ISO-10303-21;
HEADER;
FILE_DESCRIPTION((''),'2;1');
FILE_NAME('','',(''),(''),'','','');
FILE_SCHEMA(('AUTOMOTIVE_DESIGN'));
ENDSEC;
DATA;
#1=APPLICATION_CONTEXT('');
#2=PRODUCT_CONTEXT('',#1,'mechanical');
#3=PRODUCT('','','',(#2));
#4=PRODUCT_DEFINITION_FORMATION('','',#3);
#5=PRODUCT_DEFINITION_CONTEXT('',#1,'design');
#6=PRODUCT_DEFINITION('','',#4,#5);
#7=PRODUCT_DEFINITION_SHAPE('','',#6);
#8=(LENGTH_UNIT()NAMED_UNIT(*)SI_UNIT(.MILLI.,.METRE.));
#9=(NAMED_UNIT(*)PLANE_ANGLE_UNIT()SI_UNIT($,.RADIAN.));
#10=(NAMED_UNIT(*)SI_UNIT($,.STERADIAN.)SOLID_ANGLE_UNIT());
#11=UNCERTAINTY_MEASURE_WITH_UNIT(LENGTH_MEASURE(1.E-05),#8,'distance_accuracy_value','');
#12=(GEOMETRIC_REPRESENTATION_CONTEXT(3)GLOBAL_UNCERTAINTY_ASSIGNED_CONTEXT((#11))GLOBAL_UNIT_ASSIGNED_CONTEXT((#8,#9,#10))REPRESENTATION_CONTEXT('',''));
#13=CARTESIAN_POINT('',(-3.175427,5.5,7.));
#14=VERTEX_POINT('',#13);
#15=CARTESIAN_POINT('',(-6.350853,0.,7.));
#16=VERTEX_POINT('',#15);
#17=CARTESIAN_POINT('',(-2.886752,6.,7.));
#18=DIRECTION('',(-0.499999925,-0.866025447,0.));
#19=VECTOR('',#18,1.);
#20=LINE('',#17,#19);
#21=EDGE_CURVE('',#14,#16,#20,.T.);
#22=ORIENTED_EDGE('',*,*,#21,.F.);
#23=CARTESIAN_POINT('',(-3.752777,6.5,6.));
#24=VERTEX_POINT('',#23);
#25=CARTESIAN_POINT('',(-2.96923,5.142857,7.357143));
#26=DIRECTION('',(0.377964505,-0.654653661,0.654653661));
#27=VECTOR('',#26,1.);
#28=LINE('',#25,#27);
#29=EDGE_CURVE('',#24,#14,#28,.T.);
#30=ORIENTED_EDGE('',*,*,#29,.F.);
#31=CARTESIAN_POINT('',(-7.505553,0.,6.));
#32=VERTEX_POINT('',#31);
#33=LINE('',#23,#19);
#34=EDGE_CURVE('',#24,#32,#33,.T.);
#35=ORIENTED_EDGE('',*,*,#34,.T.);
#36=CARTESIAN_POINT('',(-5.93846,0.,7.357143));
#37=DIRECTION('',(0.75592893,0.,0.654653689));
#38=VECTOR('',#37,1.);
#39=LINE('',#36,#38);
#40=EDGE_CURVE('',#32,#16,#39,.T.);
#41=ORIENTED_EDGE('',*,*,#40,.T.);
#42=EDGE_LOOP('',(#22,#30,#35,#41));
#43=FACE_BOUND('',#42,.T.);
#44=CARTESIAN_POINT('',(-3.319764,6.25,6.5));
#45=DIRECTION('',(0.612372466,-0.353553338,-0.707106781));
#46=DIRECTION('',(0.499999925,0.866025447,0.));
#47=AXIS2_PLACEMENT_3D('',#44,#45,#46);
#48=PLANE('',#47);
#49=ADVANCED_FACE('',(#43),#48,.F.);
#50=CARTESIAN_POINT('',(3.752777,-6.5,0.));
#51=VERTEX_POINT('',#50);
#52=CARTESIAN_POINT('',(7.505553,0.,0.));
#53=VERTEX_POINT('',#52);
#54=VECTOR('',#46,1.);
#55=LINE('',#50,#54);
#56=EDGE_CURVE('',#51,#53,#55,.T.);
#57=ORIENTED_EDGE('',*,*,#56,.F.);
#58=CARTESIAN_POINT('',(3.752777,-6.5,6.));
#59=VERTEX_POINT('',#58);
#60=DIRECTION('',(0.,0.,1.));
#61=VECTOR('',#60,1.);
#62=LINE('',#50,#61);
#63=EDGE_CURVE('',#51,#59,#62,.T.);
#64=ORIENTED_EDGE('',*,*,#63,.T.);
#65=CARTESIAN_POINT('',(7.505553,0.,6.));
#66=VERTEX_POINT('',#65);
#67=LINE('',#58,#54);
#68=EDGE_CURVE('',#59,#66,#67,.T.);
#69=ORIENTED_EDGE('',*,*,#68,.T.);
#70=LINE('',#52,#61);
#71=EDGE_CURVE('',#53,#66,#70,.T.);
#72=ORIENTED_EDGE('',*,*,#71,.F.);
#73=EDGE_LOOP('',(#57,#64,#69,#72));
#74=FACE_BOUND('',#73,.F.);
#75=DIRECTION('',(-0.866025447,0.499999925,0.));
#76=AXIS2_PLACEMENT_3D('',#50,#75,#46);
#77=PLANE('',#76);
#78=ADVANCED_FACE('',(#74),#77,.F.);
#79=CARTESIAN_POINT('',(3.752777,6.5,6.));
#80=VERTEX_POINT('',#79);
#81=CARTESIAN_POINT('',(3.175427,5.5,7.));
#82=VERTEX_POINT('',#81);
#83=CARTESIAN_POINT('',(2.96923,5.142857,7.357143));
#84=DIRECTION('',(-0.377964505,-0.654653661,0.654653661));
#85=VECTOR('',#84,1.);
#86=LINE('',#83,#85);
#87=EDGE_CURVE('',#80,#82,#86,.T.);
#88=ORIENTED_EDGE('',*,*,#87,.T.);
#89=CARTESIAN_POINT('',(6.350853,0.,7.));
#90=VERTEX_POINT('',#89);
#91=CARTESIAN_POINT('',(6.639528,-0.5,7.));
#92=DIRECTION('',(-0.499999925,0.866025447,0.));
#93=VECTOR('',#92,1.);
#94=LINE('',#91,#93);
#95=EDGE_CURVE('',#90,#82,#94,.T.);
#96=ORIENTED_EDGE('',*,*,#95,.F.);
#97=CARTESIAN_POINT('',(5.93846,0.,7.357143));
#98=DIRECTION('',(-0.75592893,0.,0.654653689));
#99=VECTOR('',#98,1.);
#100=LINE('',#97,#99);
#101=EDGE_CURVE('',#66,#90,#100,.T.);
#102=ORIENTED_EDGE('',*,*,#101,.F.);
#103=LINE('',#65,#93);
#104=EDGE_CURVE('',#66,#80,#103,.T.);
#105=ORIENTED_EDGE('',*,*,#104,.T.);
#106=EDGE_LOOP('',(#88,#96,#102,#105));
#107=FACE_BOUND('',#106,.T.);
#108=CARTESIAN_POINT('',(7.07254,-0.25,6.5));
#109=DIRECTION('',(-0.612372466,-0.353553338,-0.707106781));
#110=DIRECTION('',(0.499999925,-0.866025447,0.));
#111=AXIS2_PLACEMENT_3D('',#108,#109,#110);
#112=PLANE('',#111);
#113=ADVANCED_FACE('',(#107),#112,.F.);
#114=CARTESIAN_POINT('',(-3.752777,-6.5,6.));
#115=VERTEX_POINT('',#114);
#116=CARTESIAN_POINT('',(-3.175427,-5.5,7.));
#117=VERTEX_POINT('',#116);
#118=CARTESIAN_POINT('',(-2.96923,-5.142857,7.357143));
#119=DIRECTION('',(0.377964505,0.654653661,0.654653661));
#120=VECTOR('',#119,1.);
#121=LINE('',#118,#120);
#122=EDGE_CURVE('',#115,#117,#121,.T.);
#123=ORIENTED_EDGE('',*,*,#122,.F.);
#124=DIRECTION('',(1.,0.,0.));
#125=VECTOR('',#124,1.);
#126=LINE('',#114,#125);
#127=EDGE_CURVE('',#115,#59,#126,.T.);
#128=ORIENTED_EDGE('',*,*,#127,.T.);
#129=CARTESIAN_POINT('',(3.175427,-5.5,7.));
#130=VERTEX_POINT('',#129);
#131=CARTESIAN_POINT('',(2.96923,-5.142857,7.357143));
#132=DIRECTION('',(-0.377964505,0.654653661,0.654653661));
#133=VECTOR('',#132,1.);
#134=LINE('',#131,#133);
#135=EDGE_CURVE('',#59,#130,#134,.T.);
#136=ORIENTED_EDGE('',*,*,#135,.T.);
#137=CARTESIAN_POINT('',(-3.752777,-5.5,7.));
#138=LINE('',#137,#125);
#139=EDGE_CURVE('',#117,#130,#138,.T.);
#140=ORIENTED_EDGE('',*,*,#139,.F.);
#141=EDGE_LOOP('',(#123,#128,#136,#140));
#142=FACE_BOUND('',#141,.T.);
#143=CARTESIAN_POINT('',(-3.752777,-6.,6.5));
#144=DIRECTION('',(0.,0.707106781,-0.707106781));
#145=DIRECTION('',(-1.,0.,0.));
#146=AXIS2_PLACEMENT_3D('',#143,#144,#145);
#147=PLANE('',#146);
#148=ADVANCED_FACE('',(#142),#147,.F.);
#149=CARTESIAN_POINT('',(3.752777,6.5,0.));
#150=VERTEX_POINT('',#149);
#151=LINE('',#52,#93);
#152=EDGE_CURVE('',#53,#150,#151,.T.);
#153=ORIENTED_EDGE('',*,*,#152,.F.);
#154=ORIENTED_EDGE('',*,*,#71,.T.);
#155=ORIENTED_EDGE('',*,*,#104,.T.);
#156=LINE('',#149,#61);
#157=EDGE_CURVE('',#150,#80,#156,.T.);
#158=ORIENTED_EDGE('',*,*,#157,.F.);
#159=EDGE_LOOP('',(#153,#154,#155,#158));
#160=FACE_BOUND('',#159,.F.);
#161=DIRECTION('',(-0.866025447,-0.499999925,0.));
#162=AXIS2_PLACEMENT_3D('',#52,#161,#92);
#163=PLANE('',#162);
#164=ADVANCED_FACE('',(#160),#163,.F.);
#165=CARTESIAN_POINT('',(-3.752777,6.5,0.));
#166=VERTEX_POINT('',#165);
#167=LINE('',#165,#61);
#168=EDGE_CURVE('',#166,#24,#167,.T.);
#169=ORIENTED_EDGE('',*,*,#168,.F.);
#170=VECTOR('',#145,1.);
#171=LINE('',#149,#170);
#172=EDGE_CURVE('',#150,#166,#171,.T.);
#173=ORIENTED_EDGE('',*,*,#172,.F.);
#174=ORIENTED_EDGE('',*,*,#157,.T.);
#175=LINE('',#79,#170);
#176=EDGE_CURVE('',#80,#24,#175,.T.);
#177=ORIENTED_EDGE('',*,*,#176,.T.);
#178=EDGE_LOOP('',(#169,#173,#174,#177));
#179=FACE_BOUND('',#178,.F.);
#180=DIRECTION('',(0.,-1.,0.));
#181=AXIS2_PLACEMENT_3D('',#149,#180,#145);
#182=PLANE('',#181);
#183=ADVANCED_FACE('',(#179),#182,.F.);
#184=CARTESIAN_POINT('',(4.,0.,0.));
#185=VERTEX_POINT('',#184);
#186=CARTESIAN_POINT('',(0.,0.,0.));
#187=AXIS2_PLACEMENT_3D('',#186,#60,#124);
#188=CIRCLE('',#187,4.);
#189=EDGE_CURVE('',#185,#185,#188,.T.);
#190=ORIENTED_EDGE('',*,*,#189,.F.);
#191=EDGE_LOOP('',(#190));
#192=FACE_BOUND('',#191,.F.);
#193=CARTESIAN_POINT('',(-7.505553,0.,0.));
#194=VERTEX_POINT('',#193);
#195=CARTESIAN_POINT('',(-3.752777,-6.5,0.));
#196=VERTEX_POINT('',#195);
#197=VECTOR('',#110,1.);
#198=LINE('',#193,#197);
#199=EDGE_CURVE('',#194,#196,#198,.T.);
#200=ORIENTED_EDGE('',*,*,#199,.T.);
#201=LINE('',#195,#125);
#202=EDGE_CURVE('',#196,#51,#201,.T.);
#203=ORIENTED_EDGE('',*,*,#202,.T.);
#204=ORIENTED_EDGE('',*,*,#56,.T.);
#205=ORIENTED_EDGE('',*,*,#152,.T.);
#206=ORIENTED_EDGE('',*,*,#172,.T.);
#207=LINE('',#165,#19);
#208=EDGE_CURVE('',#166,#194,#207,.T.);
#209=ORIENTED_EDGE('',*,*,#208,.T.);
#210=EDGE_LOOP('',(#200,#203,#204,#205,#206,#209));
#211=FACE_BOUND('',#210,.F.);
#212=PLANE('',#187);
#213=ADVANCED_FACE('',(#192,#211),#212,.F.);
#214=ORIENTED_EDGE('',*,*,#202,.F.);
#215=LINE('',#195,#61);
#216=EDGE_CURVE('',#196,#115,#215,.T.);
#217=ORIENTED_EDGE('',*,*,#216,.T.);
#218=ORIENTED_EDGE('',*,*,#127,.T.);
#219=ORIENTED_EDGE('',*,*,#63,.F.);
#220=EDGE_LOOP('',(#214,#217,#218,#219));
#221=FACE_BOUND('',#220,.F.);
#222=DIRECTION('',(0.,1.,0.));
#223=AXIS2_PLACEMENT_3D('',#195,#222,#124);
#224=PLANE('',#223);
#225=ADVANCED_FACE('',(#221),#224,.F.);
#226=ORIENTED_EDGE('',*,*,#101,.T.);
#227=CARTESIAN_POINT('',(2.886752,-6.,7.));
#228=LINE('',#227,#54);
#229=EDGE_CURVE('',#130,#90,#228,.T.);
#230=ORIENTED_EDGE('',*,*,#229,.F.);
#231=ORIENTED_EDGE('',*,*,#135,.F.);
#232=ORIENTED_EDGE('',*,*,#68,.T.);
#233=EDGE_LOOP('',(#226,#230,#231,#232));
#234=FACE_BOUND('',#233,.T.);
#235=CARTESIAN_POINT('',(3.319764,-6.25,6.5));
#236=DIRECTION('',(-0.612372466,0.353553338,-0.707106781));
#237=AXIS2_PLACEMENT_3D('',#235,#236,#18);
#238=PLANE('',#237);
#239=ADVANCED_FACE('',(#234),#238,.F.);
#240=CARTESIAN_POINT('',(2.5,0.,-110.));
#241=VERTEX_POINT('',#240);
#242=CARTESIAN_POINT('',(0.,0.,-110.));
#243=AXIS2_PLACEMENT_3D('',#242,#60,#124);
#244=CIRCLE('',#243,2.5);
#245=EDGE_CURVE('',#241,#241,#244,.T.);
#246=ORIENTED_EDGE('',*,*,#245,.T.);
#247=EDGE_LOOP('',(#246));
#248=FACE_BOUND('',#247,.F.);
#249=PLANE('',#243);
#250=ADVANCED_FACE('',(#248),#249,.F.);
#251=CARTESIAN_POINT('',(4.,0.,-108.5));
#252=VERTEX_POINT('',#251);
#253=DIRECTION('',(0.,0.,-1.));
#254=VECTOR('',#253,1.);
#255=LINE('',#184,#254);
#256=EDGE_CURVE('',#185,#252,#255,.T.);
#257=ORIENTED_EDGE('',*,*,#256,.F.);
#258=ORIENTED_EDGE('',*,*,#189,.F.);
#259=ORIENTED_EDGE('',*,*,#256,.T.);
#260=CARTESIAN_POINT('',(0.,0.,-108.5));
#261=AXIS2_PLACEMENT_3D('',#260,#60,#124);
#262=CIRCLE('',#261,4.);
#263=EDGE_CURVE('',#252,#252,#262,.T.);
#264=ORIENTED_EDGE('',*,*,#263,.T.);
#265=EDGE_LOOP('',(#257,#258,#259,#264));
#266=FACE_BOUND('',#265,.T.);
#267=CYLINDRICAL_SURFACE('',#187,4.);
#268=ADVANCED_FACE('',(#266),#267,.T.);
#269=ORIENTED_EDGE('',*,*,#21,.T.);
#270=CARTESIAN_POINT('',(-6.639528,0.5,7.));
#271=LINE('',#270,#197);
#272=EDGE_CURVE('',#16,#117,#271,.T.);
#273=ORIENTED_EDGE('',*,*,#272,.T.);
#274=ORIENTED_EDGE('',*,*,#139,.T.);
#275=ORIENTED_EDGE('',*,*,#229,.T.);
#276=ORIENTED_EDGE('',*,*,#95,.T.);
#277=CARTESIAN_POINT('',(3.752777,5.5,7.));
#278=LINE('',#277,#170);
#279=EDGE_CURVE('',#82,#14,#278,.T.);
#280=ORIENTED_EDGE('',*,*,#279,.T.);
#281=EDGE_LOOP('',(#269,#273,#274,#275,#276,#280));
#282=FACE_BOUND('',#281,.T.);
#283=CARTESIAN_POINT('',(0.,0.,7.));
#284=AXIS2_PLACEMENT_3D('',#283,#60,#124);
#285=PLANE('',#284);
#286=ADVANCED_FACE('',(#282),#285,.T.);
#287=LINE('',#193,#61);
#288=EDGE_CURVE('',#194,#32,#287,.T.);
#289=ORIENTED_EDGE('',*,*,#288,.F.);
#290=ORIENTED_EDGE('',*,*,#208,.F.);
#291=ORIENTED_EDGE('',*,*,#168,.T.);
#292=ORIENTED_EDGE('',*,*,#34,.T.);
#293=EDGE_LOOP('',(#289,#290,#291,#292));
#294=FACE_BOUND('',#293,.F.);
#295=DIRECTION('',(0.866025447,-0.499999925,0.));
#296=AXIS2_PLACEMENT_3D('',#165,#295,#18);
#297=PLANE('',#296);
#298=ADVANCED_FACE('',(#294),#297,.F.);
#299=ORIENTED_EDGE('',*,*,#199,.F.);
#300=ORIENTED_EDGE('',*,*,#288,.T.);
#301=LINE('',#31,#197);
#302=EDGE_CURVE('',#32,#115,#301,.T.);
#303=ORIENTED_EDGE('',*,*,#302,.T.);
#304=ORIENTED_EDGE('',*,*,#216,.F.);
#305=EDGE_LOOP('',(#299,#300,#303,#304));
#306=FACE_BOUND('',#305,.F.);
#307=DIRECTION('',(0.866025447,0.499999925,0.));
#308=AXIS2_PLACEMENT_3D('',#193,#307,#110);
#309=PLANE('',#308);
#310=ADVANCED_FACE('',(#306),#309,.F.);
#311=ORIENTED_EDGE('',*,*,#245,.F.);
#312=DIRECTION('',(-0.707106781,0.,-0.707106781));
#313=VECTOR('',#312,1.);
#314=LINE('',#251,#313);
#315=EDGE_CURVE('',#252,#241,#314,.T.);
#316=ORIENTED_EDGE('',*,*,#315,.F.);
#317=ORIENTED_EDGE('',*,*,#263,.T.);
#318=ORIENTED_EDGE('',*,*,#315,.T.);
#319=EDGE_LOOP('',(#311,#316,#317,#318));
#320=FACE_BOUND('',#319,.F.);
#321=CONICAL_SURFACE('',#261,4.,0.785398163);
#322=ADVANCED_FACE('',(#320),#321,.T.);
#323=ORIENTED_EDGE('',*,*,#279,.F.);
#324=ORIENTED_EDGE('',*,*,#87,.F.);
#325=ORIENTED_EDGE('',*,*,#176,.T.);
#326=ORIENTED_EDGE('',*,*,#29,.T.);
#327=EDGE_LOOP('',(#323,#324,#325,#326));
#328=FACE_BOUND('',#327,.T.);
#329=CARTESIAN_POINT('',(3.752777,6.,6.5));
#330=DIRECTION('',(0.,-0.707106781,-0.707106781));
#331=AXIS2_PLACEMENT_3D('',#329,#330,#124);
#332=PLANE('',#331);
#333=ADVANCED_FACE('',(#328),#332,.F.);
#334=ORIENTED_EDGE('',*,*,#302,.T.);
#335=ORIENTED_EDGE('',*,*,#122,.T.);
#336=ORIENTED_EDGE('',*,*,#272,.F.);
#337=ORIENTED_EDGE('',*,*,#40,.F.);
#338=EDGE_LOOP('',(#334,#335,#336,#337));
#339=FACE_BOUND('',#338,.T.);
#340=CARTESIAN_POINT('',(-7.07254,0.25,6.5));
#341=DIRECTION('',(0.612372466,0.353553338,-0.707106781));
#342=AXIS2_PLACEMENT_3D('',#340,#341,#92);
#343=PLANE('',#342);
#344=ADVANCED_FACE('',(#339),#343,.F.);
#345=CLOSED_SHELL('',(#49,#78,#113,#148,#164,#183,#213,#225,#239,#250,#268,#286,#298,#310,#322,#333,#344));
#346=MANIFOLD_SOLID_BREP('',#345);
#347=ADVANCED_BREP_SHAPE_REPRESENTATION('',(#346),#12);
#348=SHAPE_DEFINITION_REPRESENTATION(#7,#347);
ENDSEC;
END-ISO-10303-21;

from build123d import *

# Parameters (mm, degrees)
F0_R     = 4
F1_DEPTH = 7
F2_DEPTH = 110
F3_SIZE  = 1.5
F4_SIZE2 = 1
F4_SIZE  = 1


with BuildPart() as f1:
    # F0 (on Top) → F1 (new body)
    with BuildSketch(Plane.XY):
        Polygon((3.752777, 6.5), (-3.752777, 6.5), (-7.505553, 0), (-3.752777, -6.5), (3.752777, -6.5), (7.505553, 0), align=None)
        Circle(F0_R, mode=Mode.SUBTRACT)
        Circle(F0_R)
    extrude(amount=F1_DEPTH)

    # F0 (on Top) → F2 (join)
    with BuildSketch(Plane.XY):
        Circle(F0_R)
    extrude(amount=-F2_DEPTH)

    # F3
    f3_edges = [f1.edges().sort_by_distance(p)[0] for p in [
        (-4, 0, -110),
    ]]
    chamfer(f3_edges, length=F3_SIZE)

    # F4
    f4_edges = [f1.edges().sort_by_distance(p)[0] for p in [
        (5.629165, 3.25, 7),
        (0, 6.5, 7),
        (-5.629165, 3.25, 7),
        (-5.629165, -3.25, 7),
        (0, -6.5, 7),
        (5.629165, -3.25, 7),
    ]]
    chamfer(f4_edges, length=F4_SIZE, length2=F4_SIZE2)


solid = f1.part
